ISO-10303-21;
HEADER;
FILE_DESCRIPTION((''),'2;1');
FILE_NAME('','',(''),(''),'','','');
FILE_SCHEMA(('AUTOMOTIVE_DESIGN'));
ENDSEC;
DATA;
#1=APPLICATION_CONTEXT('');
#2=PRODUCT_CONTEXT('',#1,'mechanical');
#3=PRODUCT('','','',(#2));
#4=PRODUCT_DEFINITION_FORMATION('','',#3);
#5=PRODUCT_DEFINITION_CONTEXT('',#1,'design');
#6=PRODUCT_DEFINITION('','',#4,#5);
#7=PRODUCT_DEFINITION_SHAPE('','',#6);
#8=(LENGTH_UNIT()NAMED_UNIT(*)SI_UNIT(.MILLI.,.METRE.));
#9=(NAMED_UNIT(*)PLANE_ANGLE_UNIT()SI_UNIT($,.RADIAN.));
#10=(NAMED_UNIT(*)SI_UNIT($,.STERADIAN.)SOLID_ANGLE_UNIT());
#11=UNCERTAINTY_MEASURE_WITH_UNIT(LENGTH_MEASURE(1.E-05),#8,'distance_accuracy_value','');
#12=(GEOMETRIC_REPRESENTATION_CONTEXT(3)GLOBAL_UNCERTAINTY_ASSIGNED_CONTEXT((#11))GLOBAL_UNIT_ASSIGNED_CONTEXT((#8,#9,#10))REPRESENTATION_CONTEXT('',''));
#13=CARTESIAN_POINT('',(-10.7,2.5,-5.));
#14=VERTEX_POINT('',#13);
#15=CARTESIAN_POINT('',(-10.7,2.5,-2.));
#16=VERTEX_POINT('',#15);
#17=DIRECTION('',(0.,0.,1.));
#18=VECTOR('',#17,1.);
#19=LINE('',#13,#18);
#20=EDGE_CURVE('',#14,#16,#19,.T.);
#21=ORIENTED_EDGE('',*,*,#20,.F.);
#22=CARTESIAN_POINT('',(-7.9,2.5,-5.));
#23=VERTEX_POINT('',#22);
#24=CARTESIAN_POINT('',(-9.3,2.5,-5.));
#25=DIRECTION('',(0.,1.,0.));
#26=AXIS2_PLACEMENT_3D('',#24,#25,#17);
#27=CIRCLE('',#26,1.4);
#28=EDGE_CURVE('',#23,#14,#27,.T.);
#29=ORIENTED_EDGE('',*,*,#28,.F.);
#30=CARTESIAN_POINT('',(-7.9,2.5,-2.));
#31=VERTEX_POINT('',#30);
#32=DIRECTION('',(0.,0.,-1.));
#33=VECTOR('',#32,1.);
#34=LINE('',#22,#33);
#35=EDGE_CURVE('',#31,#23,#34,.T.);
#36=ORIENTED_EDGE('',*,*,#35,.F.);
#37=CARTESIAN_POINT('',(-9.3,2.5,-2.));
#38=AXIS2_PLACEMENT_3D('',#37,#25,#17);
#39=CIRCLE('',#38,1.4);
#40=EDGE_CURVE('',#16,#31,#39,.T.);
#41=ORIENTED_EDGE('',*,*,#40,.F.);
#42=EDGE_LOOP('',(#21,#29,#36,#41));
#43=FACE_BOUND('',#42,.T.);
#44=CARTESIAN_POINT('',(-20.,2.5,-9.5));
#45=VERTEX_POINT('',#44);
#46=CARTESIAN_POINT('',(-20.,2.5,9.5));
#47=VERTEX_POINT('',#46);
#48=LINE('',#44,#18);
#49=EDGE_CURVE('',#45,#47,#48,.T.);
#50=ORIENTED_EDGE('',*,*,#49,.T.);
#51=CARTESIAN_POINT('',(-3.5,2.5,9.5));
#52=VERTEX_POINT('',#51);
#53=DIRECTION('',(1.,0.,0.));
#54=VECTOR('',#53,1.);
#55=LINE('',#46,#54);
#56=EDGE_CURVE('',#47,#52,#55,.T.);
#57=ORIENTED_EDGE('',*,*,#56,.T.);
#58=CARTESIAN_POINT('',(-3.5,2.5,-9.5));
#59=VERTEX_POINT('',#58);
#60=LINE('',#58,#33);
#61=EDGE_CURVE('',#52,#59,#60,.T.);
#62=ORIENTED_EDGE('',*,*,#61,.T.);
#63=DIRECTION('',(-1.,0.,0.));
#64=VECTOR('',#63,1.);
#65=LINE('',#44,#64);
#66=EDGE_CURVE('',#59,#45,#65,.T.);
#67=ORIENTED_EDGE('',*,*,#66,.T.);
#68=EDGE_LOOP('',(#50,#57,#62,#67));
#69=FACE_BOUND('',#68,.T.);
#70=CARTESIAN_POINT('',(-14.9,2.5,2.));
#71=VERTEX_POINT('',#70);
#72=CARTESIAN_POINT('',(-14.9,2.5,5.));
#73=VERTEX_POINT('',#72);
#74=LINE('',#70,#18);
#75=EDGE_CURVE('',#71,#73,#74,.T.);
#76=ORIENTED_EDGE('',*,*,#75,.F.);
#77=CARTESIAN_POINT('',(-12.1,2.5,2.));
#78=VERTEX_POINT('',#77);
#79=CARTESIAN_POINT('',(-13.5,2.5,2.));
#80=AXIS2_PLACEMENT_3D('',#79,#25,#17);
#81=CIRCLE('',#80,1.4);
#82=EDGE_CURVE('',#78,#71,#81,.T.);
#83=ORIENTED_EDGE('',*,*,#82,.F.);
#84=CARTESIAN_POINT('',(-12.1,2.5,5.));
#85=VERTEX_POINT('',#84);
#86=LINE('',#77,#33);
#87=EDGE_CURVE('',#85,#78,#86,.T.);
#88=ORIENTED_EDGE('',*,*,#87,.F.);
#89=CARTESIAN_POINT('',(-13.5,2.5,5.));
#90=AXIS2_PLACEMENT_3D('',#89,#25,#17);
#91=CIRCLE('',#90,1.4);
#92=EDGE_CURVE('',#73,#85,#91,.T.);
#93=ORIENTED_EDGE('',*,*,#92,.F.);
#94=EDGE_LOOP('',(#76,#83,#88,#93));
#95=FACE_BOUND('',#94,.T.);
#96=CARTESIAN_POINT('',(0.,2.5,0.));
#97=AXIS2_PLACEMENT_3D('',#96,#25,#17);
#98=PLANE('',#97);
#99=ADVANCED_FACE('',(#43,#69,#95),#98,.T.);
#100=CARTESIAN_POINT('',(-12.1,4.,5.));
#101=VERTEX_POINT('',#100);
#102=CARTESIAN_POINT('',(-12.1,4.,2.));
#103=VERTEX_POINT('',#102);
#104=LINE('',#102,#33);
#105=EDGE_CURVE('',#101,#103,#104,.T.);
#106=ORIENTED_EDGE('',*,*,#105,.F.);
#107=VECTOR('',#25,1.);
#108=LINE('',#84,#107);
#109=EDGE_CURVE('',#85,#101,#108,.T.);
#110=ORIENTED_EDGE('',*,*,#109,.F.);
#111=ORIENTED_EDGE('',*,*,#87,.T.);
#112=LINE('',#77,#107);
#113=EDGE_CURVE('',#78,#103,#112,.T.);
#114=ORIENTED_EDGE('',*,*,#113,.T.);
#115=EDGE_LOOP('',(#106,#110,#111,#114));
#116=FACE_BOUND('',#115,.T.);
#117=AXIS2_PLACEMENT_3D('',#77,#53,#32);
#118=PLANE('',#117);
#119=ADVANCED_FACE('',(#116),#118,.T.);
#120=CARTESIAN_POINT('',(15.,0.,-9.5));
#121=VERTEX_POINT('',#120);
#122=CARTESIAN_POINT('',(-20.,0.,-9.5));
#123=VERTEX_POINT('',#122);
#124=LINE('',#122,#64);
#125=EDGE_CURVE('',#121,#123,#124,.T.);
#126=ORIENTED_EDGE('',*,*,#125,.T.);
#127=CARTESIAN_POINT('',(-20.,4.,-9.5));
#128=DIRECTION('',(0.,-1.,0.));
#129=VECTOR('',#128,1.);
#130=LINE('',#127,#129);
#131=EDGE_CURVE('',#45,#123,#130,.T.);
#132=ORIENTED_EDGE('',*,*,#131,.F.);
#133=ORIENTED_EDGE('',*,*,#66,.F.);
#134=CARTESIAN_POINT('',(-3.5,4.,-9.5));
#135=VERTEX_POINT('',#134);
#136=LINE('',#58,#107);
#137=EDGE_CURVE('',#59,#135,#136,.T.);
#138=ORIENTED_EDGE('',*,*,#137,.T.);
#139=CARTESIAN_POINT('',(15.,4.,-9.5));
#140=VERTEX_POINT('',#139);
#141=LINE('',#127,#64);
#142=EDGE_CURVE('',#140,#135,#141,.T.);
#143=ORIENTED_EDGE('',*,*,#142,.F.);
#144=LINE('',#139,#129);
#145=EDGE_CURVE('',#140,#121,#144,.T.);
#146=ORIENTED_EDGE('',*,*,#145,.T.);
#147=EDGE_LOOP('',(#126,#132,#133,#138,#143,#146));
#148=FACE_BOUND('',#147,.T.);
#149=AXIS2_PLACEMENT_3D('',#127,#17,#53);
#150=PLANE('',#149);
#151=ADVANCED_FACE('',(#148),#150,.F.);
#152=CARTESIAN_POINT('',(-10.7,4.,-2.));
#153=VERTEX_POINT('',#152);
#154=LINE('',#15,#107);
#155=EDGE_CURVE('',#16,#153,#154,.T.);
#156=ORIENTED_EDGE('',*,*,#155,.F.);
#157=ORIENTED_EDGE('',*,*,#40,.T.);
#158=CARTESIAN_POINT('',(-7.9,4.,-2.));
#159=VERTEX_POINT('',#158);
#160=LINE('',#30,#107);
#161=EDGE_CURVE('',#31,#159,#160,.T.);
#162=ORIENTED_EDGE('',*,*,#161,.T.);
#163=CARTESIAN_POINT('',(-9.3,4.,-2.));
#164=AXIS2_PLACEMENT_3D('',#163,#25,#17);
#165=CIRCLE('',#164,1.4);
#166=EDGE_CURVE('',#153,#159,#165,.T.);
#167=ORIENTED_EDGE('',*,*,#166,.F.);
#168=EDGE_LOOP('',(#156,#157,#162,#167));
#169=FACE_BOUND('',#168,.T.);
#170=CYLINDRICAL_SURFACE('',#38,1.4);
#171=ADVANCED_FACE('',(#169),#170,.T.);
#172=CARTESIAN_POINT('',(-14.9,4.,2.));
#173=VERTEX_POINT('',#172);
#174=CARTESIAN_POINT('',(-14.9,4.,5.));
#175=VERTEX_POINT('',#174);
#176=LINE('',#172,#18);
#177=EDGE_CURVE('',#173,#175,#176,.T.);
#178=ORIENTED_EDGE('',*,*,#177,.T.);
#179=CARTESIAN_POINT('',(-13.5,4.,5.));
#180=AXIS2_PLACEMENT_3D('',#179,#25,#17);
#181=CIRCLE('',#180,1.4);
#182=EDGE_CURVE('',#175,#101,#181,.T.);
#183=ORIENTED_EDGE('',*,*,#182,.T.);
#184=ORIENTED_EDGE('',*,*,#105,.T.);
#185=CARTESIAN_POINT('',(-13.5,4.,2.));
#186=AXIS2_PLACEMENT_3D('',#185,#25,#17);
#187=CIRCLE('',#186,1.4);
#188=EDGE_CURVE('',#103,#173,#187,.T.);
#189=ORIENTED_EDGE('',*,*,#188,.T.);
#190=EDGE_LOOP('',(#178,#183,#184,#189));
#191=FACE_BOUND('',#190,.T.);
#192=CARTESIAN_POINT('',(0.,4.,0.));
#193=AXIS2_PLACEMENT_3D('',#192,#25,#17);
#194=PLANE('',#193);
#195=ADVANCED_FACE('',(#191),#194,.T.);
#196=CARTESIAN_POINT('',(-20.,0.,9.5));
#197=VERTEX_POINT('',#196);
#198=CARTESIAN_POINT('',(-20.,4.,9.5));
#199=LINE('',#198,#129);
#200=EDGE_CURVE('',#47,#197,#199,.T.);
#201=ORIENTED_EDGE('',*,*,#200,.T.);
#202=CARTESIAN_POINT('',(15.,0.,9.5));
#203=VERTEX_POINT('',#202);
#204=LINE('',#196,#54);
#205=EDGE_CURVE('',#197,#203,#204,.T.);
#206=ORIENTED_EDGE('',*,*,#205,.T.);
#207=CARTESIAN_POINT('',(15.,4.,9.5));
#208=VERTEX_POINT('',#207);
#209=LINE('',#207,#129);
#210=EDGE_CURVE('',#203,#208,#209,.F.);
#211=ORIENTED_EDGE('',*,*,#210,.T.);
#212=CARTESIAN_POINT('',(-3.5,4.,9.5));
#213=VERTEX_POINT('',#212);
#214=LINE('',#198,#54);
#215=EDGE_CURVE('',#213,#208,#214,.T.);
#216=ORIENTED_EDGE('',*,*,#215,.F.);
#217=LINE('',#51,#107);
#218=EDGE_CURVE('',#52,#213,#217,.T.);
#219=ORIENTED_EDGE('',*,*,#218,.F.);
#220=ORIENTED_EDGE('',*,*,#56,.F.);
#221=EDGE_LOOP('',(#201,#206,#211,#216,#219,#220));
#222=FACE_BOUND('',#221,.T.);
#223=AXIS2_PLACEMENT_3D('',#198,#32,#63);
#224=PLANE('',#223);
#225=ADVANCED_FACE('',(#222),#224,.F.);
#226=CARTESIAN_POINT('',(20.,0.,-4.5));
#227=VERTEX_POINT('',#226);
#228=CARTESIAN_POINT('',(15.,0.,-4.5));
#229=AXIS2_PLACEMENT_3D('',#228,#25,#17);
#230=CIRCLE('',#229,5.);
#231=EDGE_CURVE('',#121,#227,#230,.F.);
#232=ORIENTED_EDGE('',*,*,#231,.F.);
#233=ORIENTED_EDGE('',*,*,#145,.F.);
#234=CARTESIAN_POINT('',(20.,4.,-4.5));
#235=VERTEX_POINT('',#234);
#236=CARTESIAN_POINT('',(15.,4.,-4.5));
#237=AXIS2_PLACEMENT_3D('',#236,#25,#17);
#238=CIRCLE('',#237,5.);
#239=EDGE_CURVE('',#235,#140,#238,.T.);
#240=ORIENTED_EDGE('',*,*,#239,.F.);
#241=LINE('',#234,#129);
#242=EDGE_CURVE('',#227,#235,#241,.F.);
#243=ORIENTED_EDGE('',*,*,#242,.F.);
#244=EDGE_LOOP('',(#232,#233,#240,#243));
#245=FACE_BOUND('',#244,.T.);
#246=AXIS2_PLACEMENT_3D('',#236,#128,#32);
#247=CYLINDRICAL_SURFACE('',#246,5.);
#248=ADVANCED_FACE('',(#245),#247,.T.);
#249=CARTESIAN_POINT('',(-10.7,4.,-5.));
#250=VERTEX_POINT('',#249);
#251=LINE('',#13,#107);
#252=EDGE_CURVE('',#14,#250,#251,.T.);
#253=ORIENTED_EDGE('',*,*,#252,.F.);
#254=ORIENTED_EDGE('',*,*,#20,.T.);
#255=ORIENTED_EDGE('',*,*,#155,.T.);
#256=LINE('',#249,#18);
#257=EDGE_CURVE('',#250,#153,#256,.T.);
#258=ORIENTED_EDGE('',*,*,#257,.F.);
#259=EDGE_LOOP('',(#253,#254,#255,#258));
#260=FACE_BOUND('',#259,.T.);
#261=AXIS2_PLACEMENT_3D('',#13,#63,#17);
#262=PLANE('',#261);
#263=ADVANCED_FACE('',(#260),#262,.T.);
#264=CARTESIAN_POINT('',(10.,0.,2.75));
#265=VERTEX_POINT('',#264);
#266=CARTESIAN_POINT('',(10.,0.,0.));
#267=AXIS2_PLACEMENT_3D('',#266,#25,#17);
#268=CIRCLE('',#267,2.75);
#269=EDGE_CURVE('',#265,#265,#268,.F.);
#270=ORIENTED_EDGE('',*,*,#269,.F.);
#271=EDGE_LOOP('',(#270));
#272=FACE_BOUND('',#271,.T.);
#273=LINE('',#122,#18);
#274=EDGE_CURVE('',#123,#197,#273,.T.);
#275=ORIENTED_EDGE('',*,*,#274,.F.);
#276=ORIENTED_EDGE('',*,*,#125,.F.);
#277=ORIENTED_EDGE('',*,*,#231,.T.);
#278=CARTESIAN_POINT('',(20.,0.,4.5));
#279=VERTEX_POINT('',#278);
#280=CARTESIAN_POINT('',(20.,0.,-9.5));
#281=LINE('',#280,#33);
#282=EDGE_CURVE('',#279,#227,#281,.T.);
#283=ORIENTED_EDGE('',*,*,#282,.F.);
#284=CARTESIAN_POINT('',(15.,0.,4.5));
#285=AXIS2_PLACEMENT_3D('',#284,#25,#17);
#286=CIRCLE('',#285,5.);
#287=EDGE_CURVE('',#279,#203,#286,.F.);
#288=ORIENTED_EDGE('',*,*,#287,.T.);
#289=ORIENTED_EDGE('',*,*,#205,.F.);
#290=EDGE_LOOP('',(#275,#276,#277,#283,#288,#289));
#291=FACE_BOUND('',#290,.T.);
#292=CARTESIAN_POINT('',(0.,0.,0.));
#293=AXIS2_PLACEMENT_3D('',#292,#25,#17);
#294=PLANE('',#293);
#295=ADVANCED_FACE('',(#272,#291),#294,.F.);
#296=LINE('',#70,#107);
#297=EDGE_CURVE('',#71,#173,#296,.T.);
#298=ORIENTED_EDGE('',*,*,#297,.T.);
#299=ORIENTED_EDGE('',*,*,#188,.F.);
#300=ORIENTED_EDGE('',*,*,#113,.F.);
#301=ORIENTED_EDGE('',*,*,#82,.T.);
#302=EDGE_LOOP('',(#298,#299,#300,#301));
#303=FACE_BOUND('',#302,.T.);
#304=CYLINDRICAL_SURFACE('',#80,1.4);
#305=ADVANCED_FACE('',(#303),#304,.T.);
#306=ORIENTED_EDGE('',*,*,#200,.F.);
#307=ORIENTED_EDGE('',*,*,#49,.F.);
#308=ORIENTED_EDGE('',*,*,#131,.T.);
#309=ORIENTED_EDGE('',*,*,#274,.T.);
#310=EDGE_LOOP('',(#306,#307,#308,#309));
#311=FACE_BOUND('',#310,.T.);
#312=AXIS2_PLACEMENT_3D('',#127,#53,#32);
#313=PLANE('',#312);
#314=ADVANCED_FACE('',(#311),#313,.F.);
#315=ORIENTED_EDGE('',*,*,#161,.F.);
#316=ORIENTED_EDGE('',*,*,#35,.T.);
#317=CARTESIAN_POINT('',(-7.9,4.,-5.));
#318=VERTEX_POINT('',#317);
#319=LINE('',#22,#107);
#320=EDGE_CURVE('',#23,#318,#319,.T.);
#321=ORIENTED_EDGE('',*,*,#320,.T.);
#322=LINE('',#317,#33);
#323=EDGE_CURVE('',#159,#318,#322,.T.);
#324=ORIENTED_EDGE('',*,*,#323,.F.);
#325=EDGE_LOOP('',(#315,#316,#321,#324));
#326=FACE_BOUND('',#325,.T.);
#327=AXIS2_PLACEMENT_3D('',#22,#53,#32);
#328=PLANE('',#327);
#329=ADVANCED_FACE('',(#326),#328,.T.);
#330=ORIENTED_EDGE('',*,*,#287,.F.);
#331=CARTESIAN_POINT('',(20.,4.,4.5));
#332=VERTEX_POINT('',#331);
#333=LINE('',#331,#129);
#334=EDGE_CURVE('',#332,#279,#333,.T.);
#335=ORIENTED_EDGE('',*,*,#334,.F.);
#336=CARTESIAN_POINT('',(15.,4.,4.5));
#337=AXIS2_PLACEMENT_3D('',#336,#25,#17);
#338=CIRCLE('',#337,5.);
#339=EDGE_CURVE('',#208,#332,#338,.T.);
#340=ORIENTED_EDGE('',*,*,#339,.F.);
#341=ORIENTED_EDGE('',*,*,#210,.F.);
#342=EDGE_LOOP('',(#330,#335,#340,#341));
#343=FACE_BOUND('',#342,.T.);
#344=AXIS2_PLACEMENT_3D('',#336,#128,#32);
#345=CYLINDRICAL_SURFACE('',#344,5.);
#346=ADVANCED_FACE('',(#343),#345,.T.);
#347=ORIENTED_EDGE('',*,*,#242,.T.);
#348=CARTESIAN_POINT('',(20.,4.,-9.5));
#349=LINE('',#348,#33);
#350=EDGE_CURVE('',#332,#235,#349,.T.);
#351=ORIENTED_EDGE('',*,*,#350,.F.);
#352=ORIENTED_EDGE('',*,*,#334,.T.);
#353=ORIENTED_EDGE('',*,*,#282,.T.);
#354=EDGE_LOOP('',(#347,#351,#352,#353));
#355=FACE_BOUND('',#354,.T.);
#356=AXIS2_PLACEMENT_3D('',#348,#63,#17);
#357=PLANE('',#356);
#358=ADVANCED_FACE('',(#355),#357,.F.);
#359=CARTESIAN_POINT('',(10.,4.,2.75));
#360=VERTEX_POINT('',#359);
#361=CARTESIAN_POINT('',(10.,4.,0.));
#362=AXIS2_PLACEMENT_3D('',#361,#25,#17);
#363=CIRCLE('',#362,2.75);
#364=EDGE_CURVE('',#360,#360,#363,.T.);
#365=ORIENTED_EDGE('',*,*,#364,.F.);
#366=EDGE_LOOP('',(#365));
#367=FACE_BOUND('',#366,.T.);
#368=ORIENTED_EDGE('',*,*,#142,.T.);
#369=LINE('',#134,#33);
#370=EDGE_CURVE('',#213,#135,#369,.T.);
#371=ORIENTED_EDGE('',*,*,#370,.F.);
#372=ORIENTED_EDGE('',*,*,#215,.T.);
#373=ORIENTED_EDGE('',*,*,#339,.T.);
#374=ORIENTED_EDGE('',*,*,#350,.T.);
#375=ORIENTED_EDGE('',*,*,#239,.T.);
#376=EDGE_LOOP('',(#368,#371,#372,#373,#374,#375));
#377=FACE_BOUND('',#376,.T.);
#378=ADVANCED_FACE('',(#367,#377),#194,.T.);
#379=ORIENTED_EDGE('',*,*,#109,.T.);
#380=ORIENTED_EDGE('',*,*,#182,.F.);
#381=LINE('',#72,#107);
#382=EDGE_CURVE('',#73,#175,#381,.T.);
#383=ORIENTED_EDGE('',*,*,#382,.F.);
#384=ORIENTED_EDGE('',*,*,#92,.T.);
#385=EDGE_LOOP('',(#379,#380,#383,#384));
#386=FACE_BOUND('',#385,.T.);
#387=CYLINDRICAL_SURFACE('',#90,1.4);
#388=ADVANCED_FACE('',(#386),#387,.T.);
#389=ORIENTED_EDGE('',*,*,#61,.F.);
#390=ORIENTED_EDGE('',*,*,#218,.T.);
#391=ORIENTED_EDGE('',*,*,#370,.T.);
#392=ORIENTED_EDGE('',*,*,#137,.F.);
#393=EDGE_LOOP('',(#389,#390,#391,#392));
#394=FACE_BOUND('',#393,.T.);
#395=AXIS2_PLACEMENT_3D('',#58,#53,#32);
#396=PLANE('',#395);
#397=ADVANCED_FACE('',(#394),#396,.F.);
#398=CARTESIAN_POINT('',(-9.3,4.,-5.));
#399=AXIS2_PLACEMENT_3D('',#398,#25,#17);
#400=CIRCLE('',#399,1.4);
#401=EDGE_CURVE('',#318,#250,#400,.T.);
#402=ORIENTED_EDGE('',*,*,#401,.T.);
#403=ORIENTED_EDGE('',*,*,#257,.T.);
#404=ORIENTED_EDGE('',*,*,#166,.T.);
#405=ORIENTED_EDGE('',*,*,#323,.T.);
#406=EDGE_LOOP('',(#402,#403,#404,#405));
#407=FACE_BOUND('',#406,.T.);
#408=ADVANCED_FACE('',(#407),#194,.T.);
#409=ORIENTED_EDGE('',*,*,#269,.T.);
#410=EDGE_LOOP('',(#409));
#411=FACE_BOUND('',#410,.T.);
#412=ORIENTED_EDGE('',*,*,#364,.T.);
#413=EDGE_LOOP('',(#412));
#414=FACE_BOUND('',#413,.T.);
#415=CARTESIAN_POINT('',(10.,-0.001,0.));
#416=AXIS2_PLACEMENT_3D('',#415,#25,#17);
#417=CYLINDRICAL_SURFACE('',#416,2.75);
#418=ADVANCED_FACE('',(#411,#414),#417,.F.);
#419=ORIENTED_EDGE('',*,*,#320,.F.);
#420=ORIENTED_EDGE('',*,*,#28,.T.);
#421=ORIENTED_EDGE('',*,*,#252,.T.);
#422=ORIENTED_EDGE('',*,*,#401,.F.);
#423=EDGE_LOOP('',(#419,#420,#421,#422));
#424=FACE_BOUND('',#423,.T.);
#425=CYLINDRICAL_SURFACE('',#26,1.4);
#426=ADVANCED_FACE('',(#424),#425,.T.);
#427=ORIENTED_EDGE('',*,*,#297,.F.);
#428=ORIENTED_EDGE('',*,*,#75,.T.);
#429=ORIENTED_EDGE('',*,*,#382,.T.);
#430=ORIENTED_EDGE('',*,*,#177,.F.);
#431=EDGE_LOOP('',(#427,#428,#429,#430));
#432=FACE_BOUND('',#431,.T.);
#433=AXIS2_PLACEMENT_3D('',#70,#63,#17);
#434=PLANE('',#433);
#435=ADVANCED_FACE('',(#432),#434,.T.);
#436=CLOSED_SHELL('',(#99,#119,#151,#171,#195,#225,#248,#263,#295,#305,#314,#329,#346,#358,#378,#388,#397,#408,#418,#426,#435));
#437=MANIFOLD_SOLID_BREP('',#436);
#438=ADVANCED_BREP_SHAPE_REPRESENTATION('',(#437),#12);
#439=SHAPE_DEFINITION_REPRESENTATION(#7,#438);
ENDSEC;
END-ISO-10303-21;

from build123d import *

# Parameters (mm, degrees)
SKETCH1_W           = 40
SKETCH1_H           = 19
BOSS_EXTRUDE1_DEPTH = 4
CUT_EXTRUDE1_REACH  = 24.5
SKETCH2_R           = 2.75
SKETCH4_W           = 16.5
SKETCH4_H           = 19
CUT_EXTRUDE2_DEPTH  = 1.5
FILLET1_R           = 5


with BuildPart() as part:
    # Sketch1 → Boss-Extrude1 (new body)
    with BuildSketch(Plane(origin=(0, 0, 0), x_dir=(1, 0, 0), z_dir=(0, 1, 0))):
        Rectangle(SKETCH1_W, SKETCH1_H)
    extrude(amount=BOSS_EXTRUDE1_DEPTH)

    # Sketch2 → Cut-Extrude1 (cut, up to next)
    with BuildSketch(Plane(origin=(0, 4, 0), x_dir=(1, 0, 0), z_dir=(0, 1, 0)), mode=Mode.PRIVATE) as cut_extrude1_sk1:
        with Locations(Location((10, 0, 0), (0, 0, 270))):
            Circle(SKETCH2_R)
    cut_extrude1_tool1 = extrude(cut_extrude1_sk1.sketch, amount=-CUT_EXTRUDE1_REACH, mode=Mode.PRIVATE) & part.part
    add(cut_extrude1_tool1.solids().sort_by_distance((10, 4, 0))[0], mode=Mode.SUBTRACT)

    # Sketch4 → Cut-Extrude2 (cut)
    with BuildSketch(Plane(origin=(0, 4, 0), x_dir=(1, 0, 0), z_dir=(0, 1, 0))):
        with Locations((-11.75, 0)):
            Rectangle(SKETCH4_W, SKETCH4_H)
        with BuildLine():
            Line((-7.9, 5), (-7.9, 2))
            ThreePointArc((-7.9, 2), (-9.3, 0.6), (-10.7, 2))
            Line((-10.7, 2), (-10.7, 5))
            ThreePointArc((-10.7, 5), (-9.3, 6.4), (-7.9, 5))
        make_face(mode=Mode.SUBTRACT)
        with BuildLine():
            Line((-12.1, -2), (-12.1, -5))
            ThreePointArc((-12.1, -5), (-13.5, -6.4), (-14.9, -5))
            Line((-14.9, -5), (-14.9, -2))
            ThreePointArc((-14.9, -2), (-13.5, -0.6), (-12.1, -2))
        make_face(mode=Mode.SUBTRACT)
    extrude(amount=-CUT_EXTRUDE2_DEPTH, mode=Mode.SUBTRACT)

    # Fillet1
    fillet1_edges = [part.edges().sort_by_distance(p)[0] for p in [
        (20, 2, 9.5),
        (20, 2, -9.5),
    ]]
    fillet(fillet1_edges, radius=FILLET1_R)


solid = part.part
